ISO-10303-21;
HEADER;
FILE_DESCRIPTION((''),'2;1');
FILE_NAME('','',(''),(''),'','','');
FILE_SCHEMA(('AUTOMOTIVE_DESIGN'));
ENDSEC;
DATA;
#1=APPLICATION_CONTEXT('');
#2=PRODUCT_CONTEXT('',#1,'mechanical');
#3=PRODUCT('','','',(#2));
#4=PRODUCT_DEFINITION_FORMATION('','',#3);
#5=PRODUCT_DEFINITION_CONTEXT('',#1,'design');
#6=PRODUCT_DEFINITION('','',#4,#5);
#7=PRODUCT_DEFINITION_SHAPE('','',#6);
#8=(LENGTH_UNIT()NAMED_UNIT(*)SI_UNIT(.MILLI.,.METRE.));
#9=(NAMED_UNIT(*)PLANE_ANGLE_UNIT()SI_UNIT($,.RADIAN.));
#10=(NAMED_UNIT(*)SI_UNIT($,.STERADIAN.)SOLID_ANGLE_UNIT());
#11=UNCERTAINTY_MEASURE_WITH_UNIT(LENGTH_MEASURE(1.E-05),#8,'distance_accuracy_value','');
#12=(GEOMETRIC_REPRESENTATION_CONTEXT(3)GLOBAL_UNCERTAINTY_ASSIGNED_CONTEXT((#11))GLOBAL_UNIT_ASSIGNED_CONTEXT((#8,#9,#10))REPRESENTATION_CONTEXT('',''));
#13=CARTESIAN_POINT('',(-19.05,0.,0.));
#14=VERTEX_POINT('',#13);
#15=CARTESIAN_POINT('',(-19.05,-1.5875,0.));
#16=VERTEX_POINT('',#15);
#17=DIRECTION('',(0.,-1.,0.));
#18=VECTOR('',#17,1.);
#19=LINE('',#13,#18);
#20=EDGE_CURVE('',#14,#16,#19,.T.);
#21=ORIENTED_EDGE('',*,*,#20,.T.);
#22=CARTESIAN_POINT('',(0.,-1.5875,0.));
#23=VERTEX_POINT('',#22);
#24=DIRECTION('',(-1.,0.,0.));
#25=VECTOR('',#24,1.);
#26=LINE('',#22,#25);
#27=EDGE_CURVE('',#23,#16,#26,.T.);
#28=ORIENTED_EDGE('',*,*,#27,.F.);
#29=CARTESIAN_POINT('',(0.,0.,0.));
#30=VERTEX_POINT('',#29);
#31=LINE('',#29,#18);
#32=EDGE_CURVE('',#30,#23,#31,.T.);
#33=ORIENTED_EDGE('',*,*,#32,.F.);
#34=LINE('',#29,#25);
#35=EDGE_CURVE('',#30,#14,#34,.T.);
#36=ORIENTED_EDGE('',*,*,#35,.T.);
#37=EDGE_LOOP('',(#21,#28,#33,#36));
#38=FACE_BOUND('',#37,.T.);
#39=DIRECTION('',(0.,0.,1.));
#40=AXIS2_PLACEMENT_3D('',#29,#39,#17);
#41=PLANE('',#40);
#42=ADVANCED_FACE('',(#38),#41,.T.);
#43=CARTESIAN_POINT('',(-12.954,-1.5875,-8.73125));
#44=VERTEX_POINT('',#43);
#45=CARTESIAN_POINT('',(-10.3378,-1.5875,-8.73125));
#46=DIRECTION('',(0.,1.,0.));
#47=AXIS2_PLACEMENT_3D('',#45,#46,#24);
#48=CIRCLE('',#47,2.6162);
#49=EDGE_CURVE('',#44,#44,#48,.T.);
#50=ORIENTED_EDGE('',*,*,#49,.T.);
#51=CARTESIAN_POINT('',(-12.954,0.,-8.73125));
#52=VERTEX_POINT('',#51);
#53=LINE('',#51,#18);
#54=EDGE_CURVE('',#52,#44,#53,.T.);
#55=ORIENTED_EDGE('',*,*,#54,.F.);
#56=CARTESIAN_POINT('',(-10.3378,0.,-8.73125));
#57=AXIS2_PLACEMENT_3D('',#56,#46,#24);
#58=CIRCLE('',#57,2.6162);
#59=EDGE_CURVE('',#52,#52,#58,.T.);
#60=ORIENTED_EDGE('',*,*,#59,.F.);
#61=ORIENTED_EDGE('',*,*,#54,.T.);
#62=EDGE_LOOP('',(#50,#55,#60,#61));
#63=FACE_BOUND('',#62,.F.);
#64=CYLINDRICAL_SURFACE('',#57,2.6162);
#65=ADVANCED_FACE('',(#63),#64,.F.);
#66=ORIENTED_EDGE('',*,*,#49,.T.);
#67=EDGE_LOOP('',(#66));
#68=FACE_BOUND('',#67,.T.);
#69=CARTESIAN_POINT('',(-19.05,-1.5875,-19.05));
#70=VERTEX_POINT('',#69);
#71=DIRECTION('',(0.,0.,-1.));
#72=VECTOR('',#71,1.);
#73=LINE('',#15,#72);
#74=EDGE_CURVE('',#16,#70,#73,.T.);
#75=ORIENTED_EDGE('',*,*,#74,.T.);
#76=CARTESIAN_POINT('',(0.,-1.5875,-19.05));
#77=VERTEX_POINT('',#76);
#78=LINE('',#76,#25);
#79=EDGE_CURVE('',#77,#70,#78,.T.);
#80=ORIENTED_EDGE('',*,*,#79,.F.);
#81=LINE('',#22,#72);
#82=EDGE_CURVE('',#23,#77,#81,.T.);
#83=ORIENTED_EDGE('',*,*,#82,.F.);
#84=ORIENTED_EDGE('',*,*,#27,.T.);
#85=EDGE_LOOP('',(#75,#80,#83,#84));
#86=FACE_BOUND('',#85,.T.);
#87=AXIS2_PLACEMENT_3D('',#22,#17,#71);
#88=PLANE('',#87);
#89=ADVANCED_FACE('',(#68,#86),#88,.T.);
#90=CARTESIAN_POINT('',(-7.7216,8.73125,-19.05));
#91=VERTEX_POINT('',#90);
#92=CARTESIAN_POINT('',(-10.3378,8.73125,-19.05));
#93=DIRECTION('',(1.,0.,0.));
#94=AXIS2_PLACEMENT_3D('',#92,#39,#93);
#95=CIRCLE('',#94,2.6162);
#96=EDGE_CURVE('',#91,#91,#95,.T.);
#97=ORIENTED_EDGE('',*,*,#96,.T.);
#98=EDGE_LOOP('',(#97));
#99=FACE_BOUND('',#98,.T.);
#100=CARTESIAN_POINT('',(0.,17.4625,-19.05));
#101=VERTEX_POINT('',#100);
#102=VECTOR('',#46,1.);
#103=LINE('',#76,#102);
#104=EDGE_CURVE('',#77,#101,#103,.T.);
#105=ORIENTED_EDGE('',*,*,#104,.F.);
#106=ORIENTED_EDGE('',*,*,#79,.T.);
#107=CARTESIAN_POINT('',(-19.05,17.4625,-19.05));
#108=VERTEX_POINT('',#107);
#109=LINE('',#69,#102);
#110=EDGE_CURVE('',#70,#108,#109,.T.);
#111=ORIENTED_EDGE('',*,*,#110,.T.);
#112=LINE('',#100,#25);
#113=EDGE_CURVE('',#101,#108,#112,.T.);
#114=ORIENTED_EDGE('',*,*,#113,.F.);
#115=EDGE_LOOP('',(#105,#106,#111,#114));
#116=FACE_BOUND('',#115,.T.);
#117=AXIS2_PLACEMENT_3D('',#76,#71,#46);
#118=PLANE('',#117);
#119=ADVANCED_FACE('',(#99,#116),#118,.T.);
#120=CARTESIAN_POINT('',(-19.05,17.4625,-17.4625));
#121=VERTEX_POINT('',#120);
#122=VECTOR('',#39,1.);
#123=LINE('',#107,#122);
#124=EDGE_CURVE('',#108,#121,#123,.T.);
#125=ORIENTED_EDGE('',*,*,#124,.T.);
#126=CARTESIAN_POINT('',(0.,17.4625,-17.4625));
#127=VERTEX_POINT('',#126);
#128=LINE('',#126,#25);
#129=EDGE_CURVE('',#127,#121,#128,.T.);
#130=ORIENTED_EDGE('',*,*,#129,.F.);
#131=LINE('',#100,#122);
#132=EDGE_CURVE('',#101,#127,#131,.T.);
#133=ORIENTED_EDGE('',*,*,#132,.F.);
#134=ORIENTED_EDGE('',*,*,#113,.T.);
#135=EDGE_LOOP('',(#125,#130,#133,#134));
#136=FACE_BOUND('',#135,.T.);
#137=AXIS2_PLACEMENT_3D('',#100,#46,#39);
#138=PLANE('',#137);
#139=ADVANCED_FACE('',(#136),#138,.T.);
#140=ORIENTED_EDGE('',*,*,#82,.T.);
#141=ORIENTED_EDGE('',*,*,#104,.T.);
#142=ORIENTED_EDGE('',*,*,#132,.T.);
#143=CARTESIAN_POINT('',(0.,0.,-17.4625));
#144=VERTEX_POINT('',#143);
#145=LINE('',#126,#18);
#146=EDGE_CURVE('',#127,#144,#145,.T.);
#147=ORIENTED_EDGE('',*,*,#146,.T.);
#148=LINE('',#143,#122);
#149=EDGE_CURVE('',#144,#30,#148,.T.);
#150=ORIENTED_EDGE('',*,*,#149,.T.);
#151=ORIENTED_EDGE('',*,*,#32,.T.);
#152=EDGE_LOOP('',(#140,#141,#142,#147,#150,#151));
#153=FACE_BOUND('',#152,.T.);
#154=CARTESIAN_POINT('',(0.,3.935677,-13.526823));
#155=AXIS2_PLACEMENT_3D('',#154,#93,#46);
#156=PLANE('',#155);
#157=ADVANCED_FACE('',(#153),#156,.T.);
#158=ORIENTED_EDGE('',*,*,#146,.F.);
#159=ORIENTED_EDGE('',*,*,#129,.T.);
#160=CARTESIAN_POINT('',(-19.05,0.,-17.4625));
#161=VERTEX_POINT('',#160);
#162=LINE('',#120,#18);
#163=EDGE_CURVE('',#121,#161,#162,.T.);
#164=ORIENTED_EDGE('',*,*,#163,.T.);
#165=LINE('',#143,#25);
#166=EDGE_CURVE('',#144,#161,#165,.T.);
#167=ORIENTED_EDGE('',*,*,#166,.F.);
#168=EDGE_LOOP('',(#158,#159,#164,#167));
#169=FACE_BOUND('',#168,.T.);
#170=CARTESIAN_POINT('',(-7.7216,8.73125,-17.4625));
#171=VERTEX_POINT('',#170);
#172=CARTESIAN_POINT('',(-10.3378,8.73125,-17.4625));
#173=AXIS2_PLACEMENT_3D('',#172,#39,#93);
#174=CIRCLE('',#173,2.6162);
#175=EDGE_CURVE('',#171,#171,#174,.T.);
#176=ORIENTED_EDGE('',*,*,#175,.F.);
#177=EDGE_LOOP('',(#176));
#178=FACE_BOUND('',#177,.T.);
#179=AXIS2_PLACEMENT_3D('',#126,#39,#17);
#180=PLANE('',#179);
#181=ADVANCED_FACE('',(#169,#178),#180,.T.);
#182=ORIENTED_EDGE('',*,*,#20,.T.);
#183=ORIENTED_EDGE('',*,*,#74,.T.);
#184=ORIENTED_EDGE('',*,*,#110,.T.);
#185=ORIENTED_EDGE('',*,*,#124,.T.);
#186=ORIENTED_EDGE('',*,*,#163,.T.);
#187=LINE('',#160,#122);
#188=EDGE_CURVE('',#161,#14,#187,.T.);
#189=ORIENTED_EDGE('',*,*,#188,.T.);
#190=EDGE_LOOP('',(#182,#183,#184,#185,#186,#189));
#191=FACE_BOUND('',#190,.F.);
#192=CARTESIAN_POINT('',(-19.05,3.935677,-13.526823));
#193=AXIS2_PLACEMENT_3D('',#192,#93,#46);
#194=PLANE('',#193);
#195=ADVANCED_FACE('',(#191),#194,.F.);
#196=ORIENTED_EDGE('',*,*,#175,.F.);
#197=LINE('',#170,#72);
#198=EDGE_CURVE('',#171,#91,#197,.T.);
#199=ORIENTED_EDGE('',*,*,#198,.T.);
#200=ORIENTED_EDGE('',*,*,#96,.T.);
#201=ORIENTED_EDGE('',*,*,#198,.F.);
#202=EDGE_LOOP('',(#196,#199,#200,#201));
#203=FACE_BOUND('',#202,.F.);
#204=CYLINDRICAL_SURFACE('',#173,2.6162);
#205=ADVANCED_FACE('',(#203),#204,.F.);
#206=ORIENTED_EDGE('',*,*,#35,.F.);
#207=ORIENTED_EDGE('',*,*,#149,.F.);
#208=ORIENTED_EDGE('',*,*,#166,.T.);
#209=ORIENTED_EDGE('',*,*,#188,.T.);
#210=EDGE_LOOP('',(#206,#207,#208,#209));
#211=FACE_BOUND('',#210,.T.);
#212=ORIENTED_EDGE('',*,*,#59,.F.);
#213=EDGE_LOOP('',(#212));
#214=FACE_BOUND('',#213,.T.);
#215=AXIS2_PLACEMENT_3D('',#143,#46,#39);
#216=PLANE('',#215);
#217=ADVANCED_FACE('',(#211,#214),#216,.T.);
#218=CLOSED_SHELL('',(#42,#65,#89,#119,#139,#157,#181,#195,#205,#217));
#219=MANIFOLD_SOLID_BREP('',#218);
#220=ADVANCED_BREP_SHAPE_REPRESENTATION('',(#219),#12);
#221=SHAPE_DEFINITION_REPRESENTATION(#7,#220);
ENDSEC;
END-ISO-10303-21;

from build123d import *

# Parameters (mm, degrees)
F1_DEPTH = 19.05
F2_R     = 2.6162
F3_DEPTH = 25.4
F4_R     = 2.6162
F5_DEPTH = 25.4


with BuildPart() as f1:
    # F0 (on Right) → F1 (new body)
    with BuildSketch(Plane.YZ):
        Polygon((0, -17.4625), (0, 0), (-1.5875, 0), (-1.5875, -19.05), (17.4625, -19.05), (17.4625, -17.4625), align=None)
    extrude(amount=-F1_DEPTH)

    # F2 (on face) → F3 (cut)
    with BuildSketch(Plane.XY.offset(-17.4625)):
        with Locations((-10.3378, 8.73125)):
            Circle(F2_R)
    extrude(amount=-F3_DEPTH, mode=Mode.SUBTRACT)

    # F4 (on face) → F5 (cut)
    with BuildSketch(Plane(origin=(0, 0, 0), x_dir=(-1, 0, 0), z_dir=(0, 1, 0))):
        with Locations((10.3378, -8.73125)):
            Circle(F4_R)
    extrude(amount=-F5_DEPTH, mode=Mode.SUBTRACT)


solid = f1.part
